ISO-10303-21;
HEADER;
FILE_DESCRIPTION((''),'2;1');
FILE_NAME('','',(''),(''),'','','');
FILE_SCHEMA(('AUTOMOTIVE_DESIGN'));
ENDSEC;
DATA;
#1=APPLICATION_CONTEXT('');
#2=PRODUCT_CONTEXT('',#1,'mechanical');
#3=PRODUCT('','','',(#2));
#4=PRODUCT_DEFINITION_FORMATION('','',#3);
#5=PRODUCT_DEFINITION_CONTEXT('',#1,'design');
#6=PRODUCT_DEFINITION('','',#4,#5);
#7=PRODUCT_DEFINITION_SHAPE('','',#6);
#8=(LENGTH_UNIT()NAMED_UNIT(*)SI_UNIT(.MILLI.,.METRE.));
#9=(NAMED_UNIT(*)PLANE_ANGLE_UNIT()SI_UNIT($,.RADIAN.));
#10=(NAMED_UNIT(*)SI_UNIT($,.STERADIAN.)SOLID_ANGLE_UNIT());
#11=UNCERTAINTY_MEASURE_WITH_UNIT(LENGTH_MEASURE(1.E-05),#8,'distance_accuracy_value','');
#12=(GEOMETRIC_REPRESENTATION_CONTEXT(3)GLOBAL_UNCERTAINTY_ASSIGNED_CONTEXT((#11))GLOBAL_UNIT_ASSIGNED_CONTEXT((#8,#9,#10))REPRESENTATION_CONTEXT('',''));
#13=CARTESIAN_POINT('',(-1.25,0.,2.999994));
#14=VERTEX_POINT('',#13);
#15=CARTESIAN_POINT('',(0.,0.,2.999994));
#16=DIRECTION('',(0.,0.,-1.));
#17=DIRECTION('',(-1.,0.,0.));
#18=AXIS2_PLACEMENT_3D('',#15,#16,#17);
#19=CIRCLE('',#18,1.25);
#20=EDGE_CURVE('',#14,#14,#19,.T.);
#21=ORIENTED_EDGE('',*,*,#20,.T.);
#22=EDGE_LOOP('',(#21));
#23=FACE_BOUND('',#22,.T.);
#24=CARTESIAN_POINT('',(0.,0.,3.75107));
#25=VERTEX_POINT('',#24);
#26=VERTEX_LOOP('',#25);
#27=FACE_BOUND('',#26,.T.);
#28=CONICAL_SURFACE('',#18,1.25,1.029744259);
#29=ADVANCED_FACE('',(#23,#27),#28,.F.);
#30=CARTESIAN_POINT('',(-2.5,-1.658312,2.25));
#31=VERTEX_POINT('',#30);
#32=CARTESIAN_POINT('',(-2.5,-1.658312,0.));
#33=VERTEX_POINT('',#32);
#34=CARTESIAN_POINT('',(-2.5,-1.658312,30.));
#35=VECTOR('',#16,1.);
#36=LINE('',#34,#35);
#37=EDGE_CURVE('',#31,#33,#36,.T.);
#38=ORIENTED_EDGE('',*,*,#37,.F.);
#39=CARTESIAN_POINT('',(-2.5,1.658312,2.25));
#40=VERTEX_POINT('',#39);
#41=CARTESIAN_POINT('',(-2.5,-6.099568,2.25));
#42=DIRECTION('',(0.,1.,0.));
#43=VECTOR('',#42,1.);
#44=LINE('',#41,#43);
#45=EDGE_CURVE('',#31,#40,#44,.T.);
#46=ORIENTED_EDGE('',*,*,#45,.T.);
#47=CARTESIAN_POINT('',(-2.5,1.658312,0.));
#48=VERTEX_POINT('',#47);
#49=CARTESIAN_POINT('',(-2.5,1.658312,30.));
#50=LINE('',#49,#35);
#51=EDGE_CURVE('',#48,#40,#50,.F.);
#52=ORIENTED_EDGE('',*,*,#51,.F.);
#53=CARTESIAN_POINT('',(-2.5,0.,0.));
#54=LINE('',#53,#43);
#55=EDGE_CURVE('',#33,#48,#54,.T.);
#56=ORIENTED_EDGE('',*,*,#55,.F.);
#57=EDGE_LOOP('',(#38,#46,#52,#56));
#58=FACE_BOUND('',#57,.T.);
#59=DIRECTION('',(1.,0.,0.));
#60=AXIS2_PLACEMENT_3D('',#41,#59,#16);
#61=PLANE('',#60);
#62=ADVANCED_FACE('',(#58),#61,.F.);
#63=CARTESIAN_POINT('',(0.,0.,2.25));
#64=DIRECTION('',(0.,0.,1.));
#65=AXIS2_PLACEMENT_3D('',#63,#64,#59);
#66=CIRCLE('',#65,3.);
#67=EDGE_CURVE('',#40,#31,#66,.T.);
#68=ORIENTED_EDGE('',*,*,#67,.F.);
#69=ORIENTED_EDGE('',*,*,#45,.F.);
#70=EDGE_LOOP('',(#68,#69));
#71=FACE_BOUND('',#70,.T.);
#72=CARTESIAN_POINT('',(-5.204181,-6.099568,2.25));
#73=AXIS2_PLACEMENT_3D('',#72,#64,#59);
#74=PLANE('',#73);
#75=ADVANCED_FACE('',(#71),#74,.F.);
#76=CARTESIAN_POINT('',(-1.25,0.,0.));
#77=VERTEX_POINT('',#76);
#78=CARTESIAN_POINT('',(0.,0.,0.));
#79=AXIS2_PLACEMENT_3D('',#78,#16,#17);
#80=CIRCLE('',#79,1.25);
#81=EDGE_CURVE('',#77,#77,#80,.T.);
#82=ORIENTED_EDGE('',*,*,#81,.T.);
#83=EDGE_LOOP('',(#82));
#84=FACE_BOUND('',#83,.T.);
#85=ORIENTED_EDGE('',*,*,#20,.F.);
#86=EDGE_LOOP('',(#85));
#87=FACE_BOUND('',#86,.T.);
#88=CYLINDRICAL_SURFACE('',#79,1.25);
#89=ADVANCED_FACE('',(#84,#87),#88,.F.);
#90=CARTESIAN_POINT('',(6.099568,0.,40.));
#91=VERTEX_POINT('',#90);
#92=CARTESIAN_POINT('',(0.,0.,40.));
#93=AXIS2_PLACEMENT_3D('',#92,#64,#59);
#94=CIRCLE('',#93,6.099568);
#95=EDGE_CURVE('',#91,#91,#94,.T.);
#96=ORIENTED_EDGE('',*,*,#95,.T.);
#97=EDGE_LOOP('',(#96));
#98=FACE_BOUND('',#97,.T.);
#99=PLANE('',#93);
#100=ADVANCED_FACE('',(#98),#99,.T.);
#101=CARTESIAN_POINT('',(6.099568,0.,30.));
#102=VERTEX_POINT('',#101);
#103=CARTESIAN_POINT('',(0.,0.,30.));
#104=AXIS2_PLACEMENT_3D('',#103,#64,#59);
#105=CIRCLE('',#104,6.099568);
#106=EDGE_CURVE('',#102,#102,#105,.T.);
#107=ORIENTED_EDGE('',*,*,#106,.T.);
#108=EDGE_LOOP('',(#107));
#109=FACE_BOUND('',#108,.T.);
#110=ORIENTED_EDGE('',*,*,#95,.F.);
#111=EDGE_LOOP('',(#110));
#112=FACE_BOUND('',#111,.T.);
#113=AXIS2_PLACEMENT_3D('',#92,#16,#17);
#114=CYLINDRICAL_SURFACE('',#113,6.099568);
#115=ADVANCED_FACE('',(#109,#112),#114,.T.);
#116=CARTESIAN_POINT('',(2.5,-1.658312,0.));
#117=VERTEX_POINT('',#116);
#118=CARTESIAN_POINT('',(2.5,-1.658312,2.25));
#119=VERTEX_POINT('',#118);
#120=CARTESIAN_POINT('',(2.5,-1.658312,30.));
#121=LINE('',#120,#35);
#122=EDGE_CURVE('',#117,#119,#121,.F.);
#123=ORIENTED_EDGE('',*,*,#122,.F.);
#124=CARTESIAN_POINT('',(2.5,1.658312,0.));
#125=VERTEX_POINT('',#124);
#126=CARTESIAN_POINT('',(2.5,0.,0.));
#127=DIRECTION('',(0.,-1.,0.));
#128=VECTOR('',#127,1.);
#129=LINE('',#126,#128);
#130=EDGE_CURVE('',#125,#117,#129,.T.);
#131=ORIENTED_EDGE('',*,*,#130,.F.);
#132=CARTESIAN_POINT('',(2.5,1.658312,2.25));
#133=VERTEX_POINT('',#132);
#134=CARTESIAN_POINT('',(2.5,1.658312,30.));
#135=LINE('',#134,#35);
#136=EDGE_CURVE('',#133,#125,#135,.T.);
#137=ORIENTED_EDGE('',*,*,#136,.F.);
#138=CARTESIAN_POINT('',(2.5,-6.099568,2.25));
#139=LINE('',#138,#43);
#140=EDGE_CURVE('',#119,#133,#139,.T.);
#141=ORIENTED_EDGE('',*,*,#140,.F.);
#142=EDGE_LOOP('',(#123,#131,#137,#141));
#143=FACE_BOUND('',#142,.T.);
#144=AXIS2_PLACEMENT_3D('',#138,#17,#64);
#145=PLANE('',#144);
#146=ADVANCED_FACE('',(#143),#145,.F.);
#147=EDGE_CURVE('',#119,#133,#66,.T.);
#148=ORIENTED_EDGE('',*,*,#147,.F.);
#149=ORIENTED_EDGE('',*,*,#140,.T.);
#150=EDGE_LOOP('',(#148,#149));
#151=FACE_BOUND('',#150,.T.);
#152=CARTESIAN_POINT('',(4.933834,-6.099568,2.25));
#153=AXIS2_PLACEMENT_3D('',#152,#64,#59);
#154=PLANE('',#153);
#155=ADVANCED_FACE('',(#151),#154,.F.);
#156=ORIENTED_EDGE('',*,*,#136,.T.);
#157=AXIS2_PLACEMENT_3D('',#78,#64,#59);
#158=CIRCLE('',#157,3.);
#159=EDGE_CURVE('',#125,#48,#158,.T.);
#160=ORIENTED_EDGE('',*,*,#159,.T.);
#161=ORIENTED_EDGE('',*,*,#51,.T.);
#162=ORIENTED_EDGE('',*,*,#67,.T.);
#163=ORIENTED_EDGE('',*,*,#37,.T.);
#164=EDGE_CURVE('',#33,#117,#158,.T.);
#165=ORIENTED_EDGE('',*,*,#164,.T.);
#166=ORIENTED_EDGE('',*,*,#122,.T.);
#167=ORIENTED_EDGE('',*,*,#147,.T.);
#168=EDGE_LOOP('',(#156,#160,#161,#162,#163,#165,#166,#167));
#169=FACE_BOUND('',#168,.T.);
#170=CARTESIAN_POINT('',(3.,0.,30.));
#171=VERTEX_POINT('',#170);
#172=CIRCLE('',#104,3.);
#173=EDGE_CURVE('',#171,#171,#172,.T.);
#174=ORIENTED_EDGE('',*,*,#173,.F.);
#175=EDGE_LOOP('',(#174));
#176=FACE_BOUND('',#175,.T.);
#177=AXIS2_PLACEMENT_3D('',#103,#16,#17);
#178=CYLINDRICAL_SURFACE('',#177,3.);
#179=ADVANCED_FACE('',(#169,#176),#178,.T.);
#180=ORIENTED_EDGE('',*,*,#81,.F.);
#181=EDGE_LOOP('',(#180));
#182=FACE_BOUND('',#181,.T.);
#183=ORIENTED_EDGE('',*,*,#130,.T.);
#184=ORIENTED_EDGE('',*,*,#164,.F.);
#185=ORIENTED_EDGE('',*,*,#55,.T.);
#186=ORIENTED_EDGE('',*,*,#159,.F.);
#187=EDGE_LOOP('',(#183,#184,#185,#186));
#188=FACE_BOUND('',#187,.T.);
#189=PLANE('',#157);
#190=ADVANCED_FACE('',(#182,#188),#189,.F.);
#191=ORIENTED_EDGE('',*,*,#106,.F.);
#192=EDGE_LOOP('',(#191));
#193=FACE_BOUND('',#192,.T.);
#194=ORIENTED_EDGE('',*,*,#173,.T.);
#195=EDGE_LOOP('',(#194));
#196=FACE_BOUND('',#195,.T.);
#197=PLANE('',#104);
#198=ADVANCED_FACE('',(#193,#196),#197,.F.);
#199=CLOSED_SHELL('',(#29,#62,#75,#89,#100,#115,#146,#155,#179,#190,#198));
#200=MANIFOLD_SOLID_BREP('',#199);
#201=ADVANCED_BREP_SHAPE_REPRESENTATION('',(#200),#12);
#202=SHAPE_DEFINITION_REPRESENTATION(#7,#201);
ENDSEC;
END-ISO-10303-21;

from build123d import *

# Parameters (mm, degrees)
SKETCH1_R                       = 3
BOSS_EXTRUDE1_DEPTH             = 30
SKETCH2_R                       = 6.099567635
BOSS_EXTRUDE2_DEPTH             = 10
CUT_EXTRUDE1_DEPTH              = 41.919548515
CUT_EXTRUDE1_DEPTH_BACK         = 41.919548515
SKETCH3_W                       = 2.43383409
SKETCH3_H                       = 2.25
SKETCH3_W_2                     = 2.704181163
TAP_DRILL_FOR_M3X0_5_TAP1_D     = 2.5
TAP_DRILL_FOR_M3X0_5_TAP1_DEPTH = 2.999994
TAP_DRILL_FOR_M3X0_5_TAP1_TIP   = 0.751075774


with BuildPart() as part:
    # Sketch1 → Boss-Extrude1 (new body)
    with BuildSketch(Plane.XY):
        Circle(SKETCH1_R)
    extrude(amount=BOSS_EXTRUDE1_DEPTH)

    # Sketch2 → Boss-Extrude2 (add)
    with BuildSketch(Plane.XY.offset(30)):
        Circle(SKETCH2_R)
    extrude(amount=BOSS_EXTRUDE2_DEPTH)

    # Sketch3 → Cut-Extrude1 (cut, two sides: drawn at the far end of the back side and taken through both)
    with BuildSketch(Plane(origin=(0, 0, 0), x_dir=(1, 0, 0), z_dir=(0, 1, 0)).offset(-CUT_EXTRUDE1_DEPTH_BACK)):
        with Locations((3.716917045, -1.125)):
            Rectangle(SKETCH3_W, SKETCH3_H)
        with Locations((-3.852090582, -1.125)):
            Rectangle(SKETCH3_W_2, SKETCH3_H)
    extrude(amount=CUT_EXTRUDE1_DEPTH + CUT_EXTRUDE1_DEPTH_BACK, mode=Mode.SUBTRACT)

    # Tap Drill for M3x0.5 Tap1
    with Locations(Plane(origin=(0, 0, 0), x_dir=(-1, 0, 0), z_dir=(0, 0, -1))):
        with Locations((0, 0)):
            Hole(TAP_DRILL_FOR_M3X0_5_TAP1_D / 2, depth=TAP_DRILL_FOR_M3X0_5_TAP1_DEPTH)
            with Locations((0, 0, -(TAP_DRILL_FOR_M3X0_5_TAP1_DEPTH + TAP_DRILL_FOR_M3X0_5_TAP1_TIP / 2))):  # 118° drill point
                Cone(0, TAP_DRILL_FOR_M3X0_5_TAP1_D / 2, TAP_DRILL_FOR_M3X0_5_TAP1_TIP, mode=Mode.SUBTRACT)


solid = part.part
